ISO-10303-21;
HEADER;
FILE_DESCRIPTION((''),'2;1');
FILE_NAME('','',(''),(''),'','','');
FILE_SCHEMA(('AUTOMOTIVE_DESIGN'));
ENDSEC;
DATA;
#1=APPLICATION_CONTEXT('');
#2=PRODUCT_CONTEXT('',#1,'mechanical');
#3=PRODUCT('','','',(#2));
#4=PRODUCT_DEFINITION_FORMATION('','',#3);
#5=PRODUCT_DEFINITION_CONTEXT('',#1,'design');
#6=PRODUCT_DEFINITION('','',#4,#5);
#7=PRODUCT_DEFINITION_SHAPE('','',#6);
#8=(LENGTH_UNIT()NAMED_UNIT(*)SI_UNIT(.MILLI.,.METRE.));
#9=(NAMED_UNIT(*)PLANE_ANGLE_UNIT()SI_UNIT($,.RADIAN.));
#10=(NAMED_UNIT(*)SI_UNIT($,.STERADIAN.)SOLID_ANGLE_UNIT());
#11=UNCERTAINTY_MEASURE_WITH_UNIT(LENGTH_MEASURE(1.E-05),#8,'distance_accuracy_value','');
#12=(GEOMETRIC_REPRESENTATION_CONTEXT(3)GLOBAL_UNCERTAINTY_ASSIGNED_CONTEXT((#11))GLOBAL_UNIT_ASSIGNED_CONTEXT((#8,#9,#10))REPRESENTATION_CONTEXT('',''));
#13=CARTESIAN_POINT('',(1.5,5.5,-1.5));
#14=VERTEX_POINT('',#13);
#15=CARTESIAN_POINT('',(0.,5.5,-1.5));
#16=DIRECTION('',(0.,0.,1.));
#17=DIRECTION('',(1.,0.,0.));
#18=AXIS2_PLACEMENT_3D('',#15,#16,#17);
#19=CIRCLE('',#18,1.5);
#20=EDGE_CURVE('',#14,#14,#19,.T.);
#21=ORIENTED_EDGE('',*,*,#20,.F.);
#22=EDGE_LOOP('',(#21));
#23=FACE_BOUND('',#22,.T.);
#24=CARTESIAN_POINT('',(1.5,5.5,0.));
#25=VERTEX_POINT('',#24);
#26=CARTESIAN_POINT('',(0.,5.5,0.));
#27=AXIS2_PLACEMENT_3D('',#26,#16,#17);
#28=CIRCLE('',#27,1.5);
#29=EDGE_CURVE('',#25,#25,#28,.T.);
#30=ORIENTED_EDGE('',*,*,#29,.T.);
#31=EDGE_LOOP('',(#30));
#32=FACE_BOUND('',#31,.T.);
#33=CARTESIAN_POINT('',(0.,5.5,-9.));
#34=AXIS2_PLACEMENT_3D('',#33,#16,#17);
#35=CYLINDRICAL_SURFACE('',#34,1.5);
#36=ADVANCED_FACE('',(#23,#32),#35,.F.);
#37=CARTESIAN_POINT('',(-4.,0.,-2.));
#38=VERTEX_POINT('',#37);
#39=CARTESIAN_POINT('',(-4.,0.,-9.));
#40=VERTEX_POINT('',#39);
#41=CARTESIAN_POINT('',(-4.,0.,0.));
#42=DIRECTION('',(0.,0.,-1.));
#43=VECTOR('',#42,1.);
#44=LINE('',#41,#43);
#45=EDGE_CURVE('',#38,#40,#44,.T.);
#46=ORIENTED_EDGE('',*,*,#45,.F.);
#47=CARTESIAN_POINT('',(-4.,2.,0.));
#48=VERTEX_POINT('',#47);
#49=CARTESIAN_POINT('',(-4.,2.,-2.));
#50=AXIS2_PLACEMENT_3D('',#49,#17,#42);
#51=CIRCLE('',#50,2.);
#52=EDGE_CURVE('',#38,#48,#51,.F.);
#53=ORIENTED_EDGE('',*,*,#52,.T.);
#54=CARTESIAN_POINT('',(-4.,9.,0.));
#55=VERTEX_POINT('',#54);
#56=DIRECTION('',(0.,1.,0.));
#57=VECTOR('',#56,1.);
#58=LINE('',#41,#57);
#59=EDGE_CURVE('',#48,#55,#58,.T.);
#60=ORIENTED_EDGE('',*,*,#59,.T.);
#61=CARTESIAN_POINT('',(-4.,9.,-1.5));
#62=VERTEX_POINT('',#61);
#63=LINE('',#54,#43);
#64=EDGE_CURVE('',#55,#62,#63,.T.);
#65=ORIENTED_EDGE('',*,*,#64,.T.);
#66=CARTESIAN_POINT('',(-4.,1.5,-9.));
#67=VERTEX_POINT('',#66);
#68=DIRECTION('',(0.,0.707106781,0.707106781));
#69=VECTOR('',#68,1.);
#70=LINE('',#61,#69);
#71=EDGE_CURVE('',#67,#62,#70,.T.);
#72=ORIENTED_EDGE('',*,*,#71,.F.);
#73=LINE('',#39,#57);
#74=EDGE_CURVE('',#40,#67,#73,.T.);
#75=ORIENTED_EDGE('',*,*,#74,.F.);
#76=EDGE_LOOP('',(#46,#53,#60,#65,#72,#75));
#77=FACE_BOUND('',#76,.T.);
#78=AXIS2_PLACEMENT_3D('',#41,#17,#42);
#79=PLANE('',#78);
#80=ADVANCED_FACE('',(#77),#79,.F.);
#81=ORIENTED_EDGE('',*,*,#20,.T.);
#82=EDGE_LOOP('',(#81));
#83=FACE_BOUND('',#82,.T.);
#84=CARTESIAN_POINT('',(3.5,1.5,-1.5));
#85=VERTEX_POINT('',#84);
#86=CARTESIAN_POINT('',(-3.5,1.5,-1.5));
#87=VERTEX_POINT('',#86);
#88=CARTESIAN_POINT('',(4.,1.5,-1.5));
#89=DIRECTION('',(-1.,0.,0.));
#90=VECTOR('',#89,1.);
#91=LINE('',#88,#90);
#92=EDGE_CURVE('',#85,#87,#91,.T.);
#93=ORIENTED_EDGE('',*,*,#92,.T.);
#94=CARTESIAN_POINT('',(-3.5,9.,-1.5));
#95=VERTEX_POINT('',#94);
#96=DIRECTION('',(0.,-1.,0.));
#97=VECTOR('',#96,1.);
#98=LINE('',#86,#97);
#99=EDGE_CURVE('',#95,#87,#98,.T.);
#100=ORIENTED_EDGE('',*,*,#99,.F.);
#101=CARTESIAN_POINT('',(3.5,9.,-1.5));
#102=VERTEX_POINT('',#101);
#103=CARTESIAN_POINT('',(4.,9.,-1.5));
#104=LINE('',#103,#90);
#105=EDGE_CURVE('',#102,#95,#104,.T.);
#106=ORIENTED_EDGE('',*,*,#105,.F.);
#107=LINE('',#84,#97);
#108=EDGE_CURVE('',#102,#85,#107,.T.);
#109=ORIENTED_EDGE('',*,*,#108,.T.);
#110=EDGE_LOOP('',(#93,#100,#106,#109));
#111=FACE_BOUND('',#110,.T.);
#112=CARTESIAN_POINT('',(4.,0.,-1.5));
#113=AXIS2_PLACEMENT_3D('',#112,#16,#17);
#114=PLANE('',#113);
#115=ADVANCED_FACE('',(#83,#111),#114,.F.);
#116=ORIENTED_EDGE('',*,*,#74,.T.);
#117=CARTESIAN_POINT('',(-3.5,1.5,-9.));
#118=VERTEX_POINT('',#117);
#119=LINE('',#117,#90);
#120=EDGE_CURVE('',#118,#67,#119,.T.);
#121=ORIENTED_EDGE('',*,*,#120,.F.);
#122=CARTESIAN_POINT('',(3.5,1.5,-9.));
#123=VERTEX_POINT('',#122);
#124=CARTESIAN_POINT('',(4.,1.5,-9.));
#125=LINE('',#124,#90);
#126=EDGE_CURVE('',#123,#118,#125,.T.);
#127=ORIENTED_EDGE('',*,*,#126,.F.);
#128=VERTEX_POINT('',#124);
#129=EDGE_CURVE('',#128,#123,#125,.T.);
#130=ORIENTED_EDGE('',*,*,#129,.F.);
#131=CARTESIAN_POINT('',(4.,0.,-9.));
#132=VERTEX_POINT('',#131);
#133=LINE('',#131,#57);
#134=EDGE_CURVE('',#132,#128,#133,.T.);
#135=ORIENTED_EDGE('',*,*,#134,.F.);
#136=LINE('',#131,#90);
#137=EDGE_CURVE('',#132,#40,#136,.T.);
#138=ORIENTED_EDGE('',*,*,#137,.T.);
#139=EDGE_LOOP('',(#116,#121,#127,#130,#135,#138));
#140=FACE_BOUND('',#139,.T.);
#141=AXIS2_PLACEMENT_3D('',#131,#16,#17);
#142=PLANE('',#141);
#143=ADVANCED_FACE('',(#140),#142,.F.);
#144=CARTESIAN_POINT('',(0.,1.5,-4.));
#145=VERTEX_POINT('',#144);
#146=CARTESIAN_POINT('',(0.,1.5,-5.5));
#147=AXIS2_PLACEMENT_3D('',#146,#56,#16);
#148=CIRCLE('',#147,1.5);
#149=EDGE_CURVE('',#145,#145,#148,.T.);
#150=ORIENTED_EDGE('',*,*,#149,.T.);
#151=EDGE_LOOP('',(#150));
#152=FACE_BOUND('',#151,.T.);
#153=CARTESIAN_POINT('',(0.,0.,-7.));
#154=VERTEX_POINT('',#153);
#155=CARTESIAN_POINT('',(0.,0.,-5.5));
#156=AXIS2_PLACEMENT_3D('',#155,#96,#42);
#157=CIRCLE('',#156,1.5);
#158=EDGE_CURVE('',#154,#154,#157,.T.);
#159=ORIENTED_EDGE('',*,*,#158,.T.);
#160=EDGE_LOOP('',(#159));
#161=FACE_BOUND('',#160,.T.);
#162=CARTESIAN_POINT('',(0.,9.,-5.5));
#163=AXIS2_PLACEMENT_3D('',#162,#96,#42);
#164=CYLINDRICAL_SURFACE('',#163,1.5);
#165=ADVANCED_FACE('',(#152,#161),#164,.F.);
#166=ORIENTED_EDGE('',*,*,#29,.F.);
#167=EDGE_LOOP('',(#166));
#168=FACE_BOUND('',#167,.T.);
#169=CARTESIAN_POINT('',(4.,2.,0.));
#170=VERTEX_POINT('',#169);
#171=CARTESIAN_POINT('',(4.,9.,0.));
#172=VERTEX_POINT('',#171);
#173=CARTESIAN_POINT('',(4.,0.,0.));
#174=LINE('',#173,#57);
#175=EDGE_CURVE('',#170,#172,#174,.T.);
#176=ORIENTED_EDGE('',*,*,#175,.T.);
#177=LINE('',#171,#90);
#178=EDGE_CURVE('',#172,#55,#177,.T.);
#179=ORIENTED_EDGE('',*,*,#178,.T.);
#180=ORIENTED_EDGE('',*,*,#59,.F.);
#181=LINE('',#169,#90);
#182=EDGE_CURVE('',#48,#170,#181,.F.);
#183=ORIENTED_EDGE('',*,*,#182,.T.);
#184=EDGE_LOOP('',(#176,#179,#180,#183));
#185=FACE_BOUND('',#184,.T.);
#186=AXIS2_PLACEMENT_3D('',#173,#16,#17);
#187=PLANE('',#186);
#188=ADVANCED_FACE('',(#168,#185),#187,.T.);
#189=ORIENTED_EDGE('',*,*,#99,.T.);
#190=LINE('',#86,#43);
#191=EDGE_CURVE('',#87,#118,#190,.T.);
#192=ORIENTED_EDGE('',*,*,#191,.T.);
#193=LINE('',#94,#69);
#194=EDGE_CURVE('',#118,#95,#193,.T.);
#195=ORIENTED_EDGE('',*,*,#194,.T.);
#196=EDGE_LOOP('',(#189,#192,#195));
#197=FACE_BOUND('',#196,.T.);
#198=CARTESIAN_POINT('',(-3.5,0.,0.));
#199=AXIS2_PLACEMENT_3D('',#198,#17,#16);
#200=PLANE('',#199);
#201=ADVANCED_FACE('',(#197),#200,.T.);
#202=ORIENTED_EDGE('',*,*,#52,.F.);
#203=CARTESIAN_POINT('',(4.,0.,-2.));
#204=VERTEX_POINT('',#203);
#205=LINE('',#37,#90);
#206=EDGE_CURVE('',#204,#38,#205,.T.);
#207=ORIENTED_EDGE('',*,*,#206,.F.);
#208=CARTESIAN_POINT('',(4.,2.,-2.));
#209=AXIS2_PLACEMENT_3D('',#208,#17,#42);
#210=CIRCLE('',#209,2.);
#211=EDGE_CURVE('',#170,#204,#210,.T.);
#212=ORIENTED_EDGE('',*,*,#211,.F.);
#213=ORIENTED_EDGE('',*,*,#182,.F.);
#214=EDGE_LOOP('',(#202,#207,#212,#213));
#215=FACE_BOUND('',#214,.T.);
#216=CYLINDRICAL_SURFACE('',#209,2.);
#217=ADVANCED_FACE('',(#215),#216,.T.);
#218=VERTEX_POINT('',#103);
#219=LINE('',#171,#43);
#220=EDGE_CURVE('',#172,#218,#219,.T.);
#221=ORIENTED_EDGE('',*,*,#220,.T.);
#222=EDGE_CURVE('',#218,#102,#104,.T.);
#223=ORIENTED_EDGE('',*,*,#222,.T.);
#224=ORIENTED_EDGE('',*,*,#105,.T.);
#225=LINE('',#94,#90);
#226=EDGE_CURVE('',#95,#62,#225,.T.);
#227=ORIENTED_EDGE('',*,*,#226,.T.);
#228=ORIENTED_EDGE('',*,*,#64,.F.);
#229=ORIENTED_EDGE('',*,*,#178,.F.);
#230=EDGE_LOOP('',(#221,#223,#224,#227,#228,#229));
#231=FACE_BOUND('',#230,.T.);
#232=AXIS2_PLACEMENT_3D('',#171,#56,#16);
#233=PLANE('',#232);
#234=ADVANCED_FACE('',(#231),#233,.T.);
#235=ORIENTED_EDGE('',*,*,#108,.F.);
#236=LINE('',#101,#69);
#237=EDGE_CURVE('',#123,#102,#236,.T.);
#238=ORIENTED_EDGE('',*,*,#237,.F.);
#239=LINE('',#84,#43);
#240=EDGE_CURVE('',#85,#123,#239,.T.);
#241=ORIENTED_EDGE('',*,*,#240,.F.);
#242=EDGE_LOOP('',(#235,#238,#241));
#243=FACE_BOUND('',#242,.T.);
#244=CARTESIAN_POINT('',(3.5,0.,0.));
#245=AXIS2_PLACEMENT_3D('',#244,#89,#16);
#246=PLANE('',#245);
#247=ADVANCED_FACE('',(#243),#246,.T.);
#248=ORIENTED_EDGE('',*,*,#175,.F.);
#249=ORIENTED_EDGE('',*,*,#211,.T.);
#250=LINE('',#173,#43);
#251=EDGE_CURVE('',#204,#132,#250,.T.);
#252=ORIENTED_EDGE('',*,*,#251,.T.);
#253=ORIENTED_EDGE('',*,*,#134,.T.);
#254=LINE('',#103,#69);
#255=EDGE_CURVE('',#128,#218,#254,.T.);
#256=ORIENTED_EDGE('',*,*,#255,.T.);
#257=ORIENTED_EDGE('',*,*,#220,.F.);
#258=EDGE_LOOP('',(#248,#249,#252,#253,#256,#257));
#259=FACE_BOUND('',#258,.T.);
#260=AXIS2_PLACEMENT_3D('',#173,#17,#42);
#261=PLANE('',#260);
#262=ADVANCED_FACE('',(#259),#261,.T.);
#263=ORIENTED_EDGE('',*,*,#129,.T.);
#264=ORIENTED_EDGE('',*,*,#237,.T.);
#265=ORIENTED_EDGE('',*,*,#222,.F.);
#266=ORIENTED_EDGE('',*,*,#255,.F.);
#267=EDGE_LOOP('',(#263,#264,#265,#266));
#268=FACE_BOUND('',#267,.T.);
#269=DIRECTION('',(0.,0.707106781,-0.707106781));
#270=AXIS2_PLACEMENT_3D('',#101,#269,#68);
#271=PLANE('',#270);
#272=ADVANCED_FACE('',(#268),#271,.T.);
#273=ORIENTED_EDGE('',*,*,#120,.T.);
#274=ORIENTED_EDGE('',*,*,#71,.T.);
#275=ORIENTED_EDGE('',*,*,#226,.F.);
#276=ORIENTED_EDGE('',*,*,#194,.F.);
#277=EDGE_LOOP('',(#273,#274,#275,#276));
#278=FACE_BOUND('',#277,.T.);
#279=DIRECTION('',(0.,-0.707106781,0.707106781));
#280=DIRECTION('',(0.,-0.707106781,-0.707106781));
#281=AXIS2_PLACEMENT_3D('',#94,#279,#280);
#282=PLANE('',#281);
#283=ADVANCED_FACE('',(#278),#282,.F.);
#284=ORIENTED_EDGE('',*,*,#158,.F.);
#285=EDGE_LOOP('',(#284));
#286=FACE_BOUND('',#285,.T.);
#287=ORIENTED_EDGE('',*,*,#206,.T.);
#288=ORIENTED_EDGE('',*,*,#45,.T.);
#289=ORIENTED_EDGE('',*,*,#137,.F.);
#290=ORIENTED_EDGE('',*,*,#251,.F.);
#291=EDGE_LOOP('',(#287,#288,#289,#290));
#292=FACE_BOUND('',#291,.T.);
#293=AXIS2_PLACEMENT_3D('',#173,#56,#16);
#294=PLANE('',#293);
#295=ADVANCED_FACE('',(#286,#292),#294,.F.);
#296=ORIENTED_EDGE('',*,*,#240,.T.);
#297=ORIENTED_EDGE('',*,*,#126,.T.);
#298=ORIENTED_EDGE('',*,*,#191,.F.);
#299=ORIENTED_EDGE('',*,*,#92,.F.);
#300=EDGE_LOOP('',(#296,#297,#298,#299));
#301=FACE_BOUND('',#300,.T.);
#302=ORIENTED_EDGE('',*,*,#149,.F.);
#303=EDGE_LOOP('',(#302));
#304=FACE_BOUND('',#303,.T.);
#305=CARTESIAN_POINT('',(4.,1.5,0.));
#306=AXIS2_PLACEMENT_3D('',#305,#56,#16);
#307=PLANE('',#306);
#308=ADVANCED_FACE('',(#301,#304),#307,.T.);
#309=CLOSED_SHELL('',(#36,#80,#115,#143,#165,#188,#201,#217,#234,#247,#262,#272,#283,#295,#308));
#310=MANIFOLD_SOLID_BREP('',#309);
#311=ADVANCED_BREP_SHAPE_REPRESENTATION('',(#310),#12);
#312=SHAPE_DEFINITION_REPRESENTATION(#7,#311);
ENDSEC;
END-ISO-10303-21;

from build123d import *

# Parameters (mm, degrees)
BOSS_EXTRUDE1_DEPTH = 4
BOSS_EXTRUDE2_DEPTH = 0.5
SKETCH3_R           = 1.5
CUT_EXTRUDE1_DEPTH  = 14.341664064
SKETCH4_R           = 1.5
CUT_EXTRUDE2_DEPTH  = 14.341664064
FILLET1_R           = 2


with BuildPart() as part:
    # Sketch1 → Boss-Extrude1 (new, symmetric)
    with BuildSketch(Plane(origin=(0, 0, 0), x_dir=(0, 0, -1), z_dir=(1, 0, 0))):
        Polygon((0, 1.664846908), (0, 0), (1.75206606, 0), (9, 0), (9, 1.5), (1.5, 1.5), (1.5, 9), (0, 9), align=None)
    extrude(amount=BOSS_EXTRUDE1_DEPTH, both=True)

    # Sketch2 → Boss-Extrude2 (add)
    with BuildSketch(Plane(origin=(4, 0, 0), x_dir=(0, 0, -1), z_dir=(1, 0, 0))):
        Polygon((1.5, 9), (9, 1.5), (1.5, 1.5), align=None)
    boss_extrude2 = extrude(amount=-BOSS_EXTRUDE2_DEPTH)

    # Mirror1: Boss-Extrude2 across plane
    add(boss_extrude2.mirror(Plane(origin=(0, 0, 0), x_dir=(0, 0, 1), z_dir=(1, 0, 0))))

    # Sketch3 → Cut-Extrude1 (cut, through all)
    with BuildSketch(Plane.XY):
        with Locations((0, 5.5)):
            Circle(SKETCH3_R)
    extrude(amount=-CUT_EXTRUDE1_DEPTH, mode=Mode.SUBTRACT)

    # Sketch4 → Cut-Extrude2 (cut, through all)
    with BuildSketch(Plane.XZ):
        with Locations(Location((0, -5.5, 0), (0, 0, 270))):
            Circle(SKETCH4_R)
    extrude(amount=-CUT_EXTRUDE2_DEPTH, mode=Mode.SUBTRACT)

    # Fillet1
    fillet1_edges = [part.edges().sort_by_distance(p)[0] for p in [
        (0, 0, 0),
    ]]
    fillet(fillet1_edges, radius=FILLET1_R)


solid = part.part
